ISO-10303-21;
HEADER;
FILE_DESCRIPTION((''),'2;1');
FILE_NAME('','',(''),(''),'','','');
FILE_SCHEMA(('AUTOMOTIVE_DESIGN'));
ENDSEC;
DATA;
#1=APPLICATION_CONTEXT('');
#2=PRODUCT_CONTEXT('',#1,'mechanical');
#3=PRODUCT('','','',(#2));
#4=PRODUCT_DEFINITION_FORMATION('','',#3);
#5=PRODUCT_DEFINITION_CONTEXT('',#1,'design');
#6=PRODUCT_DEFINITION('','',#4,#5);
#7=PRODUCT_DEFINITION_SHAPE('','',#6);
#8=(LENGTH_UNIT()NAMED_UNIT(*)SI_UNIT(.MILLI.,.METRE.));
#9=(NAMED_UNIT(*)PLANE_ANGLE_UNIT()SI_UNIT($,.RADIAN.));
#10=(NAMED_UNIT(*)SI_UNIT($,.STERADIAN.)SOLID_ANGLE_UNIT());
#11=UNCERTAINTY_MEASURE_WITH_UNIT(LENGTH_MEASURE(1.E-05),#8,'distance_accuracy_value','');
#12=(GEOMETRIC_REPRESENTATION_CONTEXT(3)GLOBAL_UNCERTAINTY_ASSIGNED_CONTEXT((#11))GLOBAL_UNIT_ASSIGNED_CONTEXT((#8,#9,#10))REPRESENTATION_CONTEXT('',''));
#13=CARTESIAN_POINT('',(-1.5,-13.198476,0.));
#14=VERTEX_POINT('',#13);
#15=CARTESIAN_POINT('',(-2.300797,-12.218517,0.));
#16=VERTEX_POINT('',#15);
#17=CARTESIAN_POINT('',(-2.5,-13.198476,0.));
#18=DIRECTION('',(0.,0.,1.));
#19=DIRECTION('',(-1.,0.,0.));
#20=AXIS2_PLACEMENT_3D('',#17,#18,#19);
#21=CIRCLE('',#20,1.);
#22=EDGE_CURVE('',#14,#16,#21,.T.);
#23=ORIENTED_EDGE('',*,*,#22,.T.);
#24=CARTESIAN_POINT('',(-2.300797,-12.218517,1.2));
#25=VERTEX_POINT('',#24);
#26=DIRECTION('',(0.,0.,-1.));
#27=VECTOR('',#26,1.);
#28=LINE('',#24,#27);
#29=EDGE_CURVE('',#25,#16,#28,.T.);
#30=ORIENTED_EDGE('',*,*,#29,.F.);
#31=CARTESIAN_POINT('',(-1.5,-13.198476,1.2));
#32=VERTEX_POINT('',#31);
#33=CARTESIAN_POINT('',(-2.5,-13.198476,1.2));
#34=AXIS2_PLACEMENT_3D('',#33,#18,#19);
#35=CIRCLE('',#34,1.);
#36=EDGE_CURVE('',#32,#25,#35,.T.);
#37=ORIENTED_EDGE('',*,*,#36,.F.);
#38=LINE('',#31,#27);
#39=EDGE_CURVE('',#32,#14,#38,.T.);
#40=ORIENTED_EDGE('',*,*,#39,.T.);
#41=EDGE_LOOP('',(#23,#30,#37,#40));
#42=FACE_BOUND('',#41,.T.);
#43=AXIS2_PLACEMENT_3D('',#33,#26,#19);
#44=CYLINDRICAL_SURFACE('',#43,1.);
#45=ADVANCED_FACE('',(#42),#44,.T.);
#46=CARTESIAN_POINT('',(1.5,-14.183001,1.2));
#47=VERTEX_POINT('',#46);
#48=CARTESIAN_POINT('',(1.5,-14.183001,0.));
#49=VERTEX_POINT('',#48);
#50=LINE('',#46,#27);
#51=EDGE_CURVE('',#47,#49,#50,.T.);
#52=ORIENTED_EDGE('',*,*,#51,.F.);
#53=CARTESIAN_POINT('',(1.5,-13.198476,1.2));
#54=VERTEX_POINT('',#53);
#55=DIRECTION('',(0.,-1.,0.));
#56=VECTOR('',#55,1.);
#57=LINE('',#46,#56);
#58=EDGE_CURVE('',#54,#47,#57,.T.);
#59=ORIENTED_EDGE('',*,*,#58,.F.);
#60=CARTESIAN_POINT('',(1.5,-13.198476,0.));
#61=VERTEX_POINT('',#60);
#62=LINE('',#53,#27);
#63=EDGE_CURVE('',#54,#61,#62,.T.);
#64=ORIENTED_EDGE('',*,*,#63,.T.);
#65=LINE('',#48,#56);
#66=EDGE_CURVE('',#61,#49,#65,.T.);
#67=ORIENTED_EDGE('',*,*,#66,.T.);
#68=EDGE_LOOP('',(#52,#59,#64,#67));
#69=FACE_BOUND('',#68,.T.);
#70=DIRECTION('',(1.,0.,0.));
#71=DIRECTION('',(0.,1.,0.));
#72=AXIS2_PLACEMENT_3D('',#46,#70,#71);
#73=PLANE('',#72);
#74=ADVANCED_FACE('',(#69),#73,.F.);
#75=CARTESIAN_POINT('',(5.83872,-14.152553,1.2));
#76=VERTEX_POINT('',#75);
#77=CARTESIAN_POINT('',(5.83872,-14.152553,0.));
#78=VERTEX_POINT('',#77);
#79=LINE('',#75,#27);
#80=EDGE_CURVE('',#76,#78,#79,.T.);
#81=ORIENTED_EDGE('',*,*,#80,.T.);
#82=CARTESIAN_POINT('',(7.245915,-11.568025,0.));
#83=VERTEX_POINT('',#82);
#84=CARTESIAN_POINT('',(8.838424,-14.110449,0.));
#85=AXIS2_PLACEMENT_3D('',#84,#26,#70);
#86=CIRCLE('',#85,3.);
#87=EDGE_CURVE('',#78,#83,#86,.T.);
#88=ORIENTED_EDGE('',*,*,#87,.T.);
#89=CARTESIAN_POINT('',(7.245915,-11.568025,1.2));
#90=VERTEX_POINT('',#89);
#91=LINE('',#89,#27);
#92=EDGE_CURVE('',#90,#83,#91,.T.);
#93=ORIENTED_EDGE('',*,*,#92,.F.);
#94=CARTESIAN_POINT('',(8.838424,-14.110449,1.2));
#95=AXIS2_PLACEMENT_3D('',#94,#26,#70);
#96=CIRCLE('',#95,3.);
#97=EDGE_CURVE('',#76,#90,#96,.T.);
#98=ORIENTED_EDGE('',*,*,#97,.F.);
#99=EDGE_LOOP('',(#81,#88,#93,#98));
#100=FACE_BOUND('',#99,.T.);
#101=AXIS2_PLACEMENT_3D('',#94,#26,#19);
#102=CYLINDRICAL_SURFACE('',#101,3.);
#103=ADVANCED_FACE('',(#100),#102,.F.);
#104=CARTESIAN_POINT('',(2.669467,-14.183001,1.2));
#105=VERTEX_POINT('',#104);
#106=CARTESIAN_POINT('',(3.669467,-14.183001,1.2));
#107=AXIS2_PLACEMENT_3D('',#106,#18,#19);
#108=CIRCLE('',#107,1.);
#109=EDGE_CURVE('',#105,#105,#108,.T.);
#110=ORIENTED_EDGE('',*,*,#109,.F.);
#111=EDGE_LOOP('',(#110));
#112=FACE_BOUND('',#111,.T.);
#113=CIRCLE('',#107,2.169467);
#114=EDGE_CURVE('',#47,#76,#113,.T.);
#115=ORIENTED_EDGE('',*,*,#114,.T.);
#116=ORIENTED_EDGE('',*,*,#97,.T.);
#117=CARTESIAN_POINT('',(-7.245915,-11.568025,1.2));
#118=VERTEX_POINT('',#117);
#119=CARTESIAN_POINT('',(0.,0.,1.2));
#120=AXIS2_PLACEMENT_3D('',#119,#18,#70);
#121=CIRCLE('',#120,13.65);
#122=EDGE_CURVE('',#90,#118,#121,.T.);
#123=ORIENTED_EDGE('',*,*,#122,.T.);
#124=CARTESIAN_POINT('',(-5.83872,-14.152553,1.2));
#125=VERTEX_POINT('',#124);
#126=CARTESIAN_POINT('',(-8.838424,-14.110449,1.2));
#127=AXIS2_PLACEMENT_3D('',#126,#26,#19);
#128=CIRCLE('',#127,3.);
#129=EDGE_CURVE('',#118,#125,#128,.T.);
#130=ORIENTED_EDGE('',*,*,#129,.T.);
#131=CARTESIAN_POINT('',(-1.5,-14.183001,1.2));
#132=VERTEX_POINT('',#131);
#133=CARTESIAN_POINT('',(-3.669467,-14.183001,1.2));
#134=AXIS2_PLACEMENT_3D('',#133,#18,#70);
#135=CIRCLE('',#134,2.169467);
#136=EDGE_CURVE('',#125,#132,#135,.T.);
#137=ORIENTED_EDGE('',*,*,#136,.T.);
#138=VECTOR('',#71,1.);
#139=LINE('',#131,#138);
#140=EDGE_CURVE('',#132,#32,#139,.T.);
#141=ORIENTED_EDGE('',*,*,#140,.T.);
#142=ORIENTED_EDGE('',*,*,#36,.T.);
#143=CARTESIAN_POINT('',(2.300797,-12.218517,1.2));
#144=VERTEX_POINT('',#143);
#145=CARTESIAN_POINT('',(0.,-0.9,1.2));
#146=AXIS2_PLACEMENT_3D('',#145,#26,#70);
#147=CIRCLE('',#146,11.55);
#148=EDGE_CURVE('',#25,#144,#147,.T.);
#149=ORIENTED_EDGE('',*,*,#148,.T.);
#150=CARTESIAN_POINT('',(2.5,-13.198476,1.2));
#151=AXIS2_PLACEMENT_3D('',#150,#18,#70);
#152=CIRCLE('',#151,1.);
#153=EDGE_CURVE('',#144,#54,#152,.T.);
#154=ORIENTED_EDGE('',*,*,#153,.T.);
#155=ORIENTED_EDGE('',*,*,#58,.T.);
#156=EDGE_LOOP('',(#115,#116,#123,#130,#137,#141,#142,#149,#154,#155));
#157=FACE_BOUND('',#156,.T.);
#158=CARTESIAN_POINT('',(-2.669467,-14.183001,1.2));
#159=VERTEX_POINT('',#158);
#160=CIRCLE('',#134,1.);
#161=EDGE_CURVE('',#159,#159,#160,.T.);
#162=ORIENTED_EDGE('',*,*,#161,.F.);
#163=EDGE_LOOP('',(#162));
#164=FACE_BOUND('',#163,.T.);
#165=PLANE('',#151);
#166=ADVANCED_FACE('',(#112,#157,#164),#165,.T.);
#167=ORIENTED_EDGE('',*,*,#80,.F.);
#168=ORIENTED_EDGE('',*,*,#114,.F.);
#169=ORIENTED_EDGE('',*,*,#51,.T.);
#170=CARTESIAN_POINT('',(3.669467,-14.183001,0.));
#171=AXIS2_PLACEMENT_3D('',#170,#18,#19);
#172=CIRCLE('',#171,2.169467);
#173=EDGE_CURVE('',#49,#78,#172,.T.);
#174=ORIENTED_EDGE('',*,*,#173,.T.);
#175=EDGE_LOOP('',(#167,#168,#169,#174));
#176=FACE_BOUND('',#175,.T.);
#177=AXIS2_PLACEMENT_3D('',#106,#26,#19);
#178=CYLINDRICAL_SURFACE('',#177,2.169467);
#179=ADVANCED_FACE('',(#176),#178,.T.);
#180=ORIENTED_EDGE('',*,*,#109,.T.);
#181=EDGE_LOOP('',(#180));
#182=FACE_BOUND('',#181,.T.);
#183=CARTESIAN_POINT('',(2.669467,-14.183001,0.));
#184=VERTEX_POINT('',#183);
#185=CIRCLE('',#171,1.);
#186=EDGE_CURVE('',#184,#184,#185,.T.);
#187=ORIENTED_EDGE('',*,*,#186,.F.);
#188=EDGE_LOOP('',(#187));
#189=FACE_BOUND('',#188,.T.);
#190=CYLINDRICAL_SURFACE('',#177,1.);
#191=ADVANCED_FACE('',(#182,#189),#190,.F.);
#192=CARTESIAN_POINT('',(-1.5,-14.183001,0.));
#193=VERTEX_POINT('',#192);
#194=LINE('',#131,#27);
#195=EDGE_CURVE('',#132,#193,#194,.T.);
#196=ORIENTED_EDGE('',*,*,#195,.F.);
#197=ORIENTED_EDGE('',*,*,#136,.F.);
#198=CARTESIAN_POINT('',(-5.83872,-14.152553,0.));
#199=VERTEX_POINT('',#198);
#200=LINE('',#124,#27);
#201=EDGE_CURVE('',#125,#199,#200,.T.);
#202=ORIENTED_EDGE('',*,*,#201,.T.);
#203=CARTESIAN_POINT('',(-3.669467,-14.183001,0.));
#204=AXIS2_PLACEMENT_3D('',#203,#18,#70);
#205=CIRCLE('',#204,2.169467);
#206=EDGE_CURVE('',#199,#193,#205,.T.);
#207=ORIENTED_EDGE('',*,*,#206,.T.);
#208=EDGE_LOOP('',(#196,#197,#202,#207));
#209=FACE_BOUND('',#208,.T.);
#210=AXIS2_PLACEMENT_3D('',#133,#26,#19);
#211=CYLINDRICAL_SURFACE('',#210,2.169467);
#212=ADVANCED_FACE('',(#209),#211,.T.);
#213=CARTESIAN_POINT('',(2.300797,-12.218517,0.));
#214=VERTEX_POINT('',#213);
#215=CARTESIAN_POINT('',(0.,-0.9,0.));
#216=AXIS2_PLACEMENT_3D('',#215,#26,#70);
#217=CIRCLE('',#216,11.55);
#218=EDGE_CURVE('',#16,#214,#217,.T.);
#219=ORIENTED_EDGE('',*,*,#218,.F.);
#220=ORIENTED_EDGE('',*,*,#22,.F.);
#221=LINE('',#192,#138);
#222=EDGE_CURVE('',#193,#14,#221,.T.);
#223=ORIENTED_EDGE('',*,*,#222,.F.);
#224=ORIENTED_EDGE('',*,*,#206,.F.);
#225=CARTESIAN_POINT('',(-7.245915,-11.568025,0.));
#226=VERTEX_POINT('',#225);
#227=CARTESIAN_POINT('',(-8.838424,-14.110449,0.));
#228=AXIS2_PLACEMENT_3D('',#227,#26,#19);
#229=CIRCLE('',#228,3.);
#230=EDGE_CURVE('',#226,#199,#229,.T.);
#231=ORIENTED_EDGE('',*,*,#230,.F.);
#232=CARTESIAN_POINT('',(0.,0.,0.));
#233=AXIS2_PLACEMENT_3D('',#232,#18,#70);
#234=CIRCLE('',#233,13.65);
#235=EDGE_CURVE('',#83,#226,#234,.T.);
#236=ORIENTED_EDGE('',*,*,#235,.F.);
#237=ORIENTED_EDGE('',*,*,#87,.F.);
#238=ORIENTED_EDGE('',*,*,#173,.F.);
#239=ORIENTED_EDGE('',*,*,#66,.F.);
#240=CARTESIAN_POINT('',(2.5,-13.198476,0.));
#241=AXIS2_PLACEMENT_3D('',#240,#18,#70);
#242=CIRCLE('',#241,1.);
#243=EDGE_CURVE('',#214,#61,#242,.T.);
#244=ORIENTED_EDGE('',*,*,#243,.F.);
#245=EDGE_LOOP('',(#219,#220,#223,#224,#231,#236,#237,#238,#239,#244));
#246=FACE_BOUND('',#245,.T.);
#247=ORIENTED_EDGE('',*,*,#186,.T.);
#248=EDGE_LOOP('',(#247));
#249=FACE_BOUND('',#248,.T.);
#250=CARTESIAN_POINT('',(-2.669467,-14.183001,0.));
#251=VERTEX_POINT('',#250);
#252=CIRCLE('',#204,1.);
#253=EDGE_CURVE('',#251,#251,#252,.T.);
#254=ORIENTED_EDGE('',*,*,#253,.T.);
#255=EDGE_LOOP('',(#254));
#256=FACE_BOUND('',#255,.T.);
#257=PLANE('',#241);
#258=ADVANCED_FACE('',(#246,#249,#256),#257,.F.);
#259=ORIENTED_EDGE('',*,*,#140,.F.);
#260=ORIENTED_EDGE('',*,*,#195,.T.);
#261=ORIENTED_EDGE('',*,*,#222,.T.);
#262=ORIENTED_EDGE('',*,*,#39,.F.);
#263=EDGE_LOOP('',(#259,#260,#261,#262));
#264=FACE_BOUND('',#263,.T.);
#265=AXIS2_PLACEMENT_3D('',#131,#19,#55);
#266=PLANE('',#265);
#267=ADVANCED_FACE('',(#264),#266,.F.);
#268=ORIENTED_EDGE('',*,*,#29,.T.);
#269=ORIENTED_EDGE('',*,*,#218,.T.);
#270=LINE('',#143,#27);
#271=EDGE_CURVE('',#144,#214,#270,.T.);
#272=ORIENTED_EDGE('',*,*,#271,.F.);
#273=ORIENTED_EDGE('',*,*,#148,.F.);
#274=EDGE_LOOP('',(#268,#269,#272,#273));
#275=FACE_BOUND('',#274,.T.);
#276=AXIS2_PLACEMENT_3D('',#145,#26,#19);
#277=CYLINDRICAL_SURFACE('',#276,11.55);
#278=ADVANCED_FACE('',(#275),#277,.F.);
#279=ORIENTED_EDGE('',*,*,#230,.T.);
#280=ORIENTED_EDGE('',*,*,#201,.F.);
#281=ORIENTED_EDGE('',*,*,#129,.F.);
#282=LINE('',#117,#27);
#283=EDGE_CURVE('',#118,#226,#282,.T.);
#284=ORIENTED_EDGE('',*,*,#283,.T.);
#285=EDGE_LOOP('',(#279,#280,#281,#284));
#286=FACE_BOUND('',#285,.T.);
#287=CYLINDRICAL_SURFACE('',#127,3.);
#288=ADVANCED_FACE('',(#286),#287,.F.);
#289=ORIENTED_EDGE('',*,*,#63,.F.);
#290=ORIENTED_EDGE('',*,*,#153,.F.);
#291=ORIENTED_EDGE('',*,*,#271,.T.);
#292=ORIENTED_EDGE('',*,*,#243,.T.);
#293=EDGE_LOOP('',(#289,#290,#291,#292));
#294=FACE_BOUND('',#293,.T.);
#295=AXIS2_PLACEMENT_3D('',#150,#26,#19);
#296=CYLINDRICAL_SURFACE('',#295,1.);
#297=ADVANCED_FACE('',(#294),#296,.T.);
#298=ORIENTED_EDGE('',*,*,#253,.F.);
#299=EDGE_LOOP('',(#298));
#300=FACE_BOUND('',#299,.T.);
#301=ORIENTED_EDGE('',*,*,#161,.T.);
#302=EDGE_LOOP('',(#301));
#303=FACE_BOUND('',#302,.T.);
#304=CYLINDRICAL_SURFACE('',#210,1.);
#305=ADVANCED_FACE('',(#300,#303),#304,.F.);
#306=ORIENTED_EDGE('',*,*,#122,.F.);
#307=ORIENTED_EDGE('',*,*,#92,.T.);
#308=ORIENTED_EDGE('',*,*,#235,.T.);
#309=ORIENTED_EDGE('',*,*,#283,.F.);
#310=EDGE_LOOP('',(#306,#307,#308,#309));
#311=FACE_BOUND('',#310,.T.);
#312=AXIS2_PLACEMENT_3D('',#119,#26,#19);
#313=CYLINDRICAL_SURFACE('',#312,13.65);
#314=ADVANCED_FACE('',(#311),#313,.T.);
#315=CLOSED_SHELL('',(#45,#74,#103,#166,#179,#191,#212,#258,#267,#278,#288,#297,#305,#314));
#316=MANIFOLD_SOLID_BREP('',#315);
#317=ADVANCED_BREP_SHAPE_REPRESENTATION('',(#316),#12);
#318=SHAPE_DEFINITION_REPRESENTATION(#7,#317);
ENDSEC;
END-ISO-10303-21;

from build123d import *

# Parameters (mm, degrees)
SKETCH_1_R      = 1
EXTRUDE_1_DEPTH = 1.2


with BuildPart() as part:
    # Эскиз1 → Бобышка-Вытянуть1 (new body)
    with BuildSketch(Plane.XY):
        with BuildLine():
            Line((-1.5, -14.18300089), (-1.5, -13.198475515))
            ThreePointArc((-1.5, -13.198475515), (-1.725660544, -12.565705094), (-2.300796813, -12.218517307))
            ThreePointArc((-2.300796813, -12.218517307), (0, 10.65), (2.300796813, -12.218517307))
            ThreePointArc((2.300796813, -12.218517307), (1.725660544, -12.565705094), (1.5, -13.198475515))
            Line((1.5, -13.198475515), (1.5, -14.18300089))
            ThreePointArc((1.5, -14.18300089), (3.684691065, -16.352414157), (5.838719697, -14.152552883))
            ThreePointArc((5.838719697, -14.152552883), (6.203646888, -12.675893388), (7.245915351, -11.56802536))
            ThreePointArc((7.245915351, -11.56802536), (0, 13.65), (-7.245915351, -11.56802536))
            ThreePointArc((-7.245915351, -11.56802536), (-6.203646888, -12.675893388), (-5.838719697, -14.152552883))
            ThreePointArc((-5.838719697, -14.152552883), (-3.684691065, -16.352414157), (-1.5, -14.18300089))
        make_face()
        with Locations((-3.669466687, -14.18300089)):
            Circle(SKETCH_1_R, mode=Mode.SUBTRACT)
        with Locations((3.669466687, -14.18300089)):
            Circle(SKETCH_1_R, mode=Mode.SUBTRACT)
    extrude(amount=EXTRUDE_1_DEPTH)


solid = part.part
